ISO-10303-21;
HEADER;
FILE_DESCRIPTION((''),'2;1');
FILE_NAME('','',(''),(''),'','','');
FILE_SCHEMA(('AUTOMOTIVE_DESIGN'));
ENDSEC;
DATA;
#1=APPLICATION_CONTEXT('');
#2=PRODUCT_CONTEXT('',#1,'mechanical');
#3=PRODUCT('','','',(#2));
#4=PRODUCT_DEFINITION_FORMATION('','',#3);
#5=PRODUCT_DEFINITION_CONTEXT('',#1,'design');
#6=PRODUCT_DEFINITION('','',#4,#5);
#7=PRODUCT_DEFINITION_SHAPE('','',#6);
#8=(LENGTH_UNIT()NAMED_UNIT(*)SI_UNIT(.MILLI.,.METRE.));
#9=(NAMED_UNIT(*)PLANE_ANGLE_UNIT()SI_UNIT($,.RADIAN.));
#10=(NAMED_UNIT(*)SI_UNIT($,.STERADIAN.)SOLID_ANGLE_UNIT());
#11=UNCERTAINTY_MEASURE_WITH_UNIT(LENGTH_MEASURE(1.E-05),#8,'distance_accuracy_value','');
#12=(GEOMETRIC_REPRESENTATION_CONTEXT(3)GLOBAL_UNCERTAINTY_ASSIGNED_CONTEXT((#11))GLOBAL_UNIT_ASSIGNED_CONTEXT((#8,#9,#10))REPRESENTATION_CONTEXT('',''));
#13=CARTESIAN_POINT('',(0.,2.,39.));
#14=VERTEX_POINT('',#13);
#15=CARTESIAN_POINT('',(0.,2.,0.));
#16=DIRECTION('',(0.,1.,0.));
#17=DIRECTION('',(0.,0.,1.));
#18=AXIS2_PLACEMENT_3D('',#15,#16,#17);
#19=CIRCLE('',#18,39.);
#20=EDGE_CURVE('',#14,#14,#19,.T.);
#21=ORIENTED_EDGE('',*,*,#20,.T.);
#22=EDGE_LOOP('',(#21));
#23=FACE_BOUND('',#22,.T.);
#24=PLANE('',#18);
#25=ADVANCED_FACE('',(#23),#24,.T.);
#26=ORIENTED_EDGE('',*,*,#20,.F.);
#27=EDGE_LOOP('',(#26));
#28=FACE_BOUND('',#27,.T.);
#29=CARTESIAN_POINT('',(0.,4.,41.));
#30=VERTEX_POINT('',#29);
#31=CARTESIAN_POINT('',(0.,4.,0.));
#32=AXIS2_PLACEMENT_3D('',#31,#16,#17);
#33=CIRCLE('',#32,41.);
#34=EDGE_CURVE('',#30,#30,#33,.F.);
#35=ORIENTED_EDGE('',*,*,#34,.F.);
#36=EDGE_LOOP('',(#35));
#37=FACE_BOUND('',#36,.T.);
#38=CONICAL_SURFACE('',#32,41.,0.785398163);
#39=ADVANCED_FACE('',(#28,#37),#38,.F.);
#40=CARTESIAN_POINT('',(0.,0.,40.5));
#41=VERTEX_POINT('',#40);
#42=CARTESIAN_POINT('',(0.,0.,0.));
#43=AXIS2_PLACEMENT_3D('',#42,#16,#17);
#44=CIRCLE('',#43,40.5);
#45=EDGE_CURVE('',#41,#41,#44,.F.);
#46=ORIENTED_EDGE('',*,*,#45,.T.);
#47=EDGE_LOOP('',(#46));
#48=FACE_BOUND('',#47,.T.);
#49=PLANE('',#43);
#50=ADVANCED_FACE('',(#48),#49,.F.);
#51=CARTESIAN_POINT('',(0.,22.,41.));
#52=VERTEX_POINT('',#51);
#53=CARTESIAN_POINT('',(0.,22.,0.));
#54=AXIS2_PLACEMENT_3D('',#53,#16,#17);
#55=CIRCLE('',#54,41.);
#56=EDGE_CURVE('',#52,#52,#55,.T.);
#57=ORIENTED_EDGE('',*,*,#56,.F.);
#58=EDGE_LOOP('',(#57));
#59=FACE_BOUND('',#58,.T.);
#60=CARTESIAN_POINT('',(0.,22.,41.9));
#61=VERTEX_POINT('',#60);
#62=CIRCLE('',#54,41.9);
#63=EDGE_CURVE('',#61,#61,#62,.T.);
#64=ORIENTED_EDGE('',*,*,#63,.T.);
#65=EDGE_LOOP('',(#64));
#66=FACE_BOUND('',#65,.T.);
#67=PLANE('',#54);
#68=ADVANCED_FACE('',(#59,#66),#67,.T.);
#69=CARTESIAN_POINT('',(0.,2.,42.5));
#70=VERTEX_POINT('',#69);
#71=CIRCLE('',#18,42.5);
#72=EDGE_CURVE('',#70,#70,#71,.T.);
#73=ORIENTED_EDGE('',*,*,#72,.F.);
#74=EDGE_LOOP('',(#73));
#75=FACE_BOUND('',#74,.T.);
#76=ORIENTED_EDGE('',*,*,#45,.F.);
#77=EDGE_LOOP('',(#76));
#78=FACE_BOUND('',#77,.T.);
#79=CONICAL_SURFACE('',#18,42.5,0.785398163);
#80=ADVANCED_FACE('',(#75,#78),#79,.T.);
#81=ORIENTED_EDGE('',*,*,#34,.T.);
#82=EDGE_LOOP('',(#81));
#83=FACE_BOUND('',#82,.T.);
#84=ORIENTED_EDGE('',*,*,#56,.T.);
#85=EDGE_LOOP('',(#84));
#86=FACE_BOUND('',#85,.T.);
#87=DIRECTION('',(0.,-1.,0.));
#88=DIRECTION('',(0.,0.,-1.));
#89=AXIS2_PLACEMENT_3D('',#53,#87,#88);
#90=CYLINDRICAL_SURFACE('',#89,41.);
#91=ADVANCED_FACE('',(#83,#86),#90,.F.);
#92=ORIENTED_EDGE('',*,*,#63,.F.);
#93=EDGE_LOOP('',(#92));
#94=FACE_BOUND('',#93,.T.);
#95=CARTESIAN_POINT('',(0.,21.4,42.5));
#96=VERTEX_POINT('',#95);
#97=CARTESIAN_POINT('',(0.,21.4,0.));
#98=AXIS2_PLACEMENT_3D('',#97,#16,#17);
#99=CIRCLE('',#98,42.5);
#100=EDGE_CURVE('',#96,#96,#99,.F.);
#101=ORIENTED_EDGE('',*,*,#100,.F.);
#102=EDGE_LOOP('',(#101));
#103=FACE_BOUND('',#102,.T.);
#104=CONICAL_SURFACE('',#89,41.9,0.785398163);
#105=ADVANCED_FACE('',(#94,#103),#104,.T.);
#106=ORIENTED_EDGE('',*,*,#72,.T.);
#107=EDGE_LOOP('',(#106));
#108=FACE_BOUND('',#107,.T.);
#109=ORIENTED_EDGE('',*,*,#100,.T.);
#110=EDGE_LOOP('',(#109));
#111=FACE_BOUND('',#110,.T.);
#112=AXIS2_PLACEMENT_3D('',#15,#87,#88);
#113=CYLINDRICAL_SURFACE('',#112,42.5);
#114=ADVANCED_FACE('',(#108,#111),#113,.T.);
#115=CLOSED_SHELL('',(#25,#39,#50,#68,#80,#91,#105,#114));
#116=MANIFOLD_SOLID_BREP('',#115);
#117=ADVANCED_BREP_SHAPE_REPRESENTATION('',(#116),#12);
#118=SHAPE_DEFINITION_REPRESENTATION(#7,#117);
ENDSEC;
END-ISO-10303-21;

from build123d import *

# Parameters (mm, degrees)
SKETCH1_R           = 42.5
BOSS_EXTRUDE1_DEPTH = 2
SKETCH2_R           = 42.5
SKETCH2_R_2         = 41
BOSS_EXTRUDE2_DEPTH = 20
CHAMFER1_SIZE       = 2
CHAMFER2_SIZE       = 0.6


with BuildPart() as part:
    # Sketch1 → Boss-Extrude1 (new body)
    with BuildSketch(Plane(origin=(0, 0, 0), x_dir=(1, 0, 0), z_dir=(0, 1, 0))):
        with Locations(Location((0, 0, 0), (0, 0, 270))):
            Circle(SKETCH1_R)
    extrude(amount=BOSS_EXTRUDE1_DEPTH)

    # Sketch2 → Boss-Extrude2 (add)
    with BuildSketch(Plane(origin=(0, 2, 0), x_dir=(1, 0, 0), z_dir=(0, 1, 0))):
        with Locations(Location((0, 0, 0), (0, 0, 270))):
            Circle(SKETCH2_R)
        with Locations(Location((0, 0, 0), (0, 0, 270))):
            Circle(SKETCH2_R_2, mode=Mode.SUBTRACT)
    extrude(amount=BOSS_EXTRUDE2_DEPTH)

    # Chamfer1
    chamfer1_edges = [part.edges().sort_by_distance(p)[0] for p in [
        (0, 0, -42.5),
        (0, 2, -41),
    ]]
    chamfer(chamfer1_edges, length=CHAMFER1_SIZE)

    # Chamfer2
    chamfer2_edges = [part.edges().sort_by_distance(p)[0] for p in [
        (0, 22, -42.5),
    ]]
    chamfer(chamfer2_edges, length=CHAMFER2_SIZE)


solid = part.part
